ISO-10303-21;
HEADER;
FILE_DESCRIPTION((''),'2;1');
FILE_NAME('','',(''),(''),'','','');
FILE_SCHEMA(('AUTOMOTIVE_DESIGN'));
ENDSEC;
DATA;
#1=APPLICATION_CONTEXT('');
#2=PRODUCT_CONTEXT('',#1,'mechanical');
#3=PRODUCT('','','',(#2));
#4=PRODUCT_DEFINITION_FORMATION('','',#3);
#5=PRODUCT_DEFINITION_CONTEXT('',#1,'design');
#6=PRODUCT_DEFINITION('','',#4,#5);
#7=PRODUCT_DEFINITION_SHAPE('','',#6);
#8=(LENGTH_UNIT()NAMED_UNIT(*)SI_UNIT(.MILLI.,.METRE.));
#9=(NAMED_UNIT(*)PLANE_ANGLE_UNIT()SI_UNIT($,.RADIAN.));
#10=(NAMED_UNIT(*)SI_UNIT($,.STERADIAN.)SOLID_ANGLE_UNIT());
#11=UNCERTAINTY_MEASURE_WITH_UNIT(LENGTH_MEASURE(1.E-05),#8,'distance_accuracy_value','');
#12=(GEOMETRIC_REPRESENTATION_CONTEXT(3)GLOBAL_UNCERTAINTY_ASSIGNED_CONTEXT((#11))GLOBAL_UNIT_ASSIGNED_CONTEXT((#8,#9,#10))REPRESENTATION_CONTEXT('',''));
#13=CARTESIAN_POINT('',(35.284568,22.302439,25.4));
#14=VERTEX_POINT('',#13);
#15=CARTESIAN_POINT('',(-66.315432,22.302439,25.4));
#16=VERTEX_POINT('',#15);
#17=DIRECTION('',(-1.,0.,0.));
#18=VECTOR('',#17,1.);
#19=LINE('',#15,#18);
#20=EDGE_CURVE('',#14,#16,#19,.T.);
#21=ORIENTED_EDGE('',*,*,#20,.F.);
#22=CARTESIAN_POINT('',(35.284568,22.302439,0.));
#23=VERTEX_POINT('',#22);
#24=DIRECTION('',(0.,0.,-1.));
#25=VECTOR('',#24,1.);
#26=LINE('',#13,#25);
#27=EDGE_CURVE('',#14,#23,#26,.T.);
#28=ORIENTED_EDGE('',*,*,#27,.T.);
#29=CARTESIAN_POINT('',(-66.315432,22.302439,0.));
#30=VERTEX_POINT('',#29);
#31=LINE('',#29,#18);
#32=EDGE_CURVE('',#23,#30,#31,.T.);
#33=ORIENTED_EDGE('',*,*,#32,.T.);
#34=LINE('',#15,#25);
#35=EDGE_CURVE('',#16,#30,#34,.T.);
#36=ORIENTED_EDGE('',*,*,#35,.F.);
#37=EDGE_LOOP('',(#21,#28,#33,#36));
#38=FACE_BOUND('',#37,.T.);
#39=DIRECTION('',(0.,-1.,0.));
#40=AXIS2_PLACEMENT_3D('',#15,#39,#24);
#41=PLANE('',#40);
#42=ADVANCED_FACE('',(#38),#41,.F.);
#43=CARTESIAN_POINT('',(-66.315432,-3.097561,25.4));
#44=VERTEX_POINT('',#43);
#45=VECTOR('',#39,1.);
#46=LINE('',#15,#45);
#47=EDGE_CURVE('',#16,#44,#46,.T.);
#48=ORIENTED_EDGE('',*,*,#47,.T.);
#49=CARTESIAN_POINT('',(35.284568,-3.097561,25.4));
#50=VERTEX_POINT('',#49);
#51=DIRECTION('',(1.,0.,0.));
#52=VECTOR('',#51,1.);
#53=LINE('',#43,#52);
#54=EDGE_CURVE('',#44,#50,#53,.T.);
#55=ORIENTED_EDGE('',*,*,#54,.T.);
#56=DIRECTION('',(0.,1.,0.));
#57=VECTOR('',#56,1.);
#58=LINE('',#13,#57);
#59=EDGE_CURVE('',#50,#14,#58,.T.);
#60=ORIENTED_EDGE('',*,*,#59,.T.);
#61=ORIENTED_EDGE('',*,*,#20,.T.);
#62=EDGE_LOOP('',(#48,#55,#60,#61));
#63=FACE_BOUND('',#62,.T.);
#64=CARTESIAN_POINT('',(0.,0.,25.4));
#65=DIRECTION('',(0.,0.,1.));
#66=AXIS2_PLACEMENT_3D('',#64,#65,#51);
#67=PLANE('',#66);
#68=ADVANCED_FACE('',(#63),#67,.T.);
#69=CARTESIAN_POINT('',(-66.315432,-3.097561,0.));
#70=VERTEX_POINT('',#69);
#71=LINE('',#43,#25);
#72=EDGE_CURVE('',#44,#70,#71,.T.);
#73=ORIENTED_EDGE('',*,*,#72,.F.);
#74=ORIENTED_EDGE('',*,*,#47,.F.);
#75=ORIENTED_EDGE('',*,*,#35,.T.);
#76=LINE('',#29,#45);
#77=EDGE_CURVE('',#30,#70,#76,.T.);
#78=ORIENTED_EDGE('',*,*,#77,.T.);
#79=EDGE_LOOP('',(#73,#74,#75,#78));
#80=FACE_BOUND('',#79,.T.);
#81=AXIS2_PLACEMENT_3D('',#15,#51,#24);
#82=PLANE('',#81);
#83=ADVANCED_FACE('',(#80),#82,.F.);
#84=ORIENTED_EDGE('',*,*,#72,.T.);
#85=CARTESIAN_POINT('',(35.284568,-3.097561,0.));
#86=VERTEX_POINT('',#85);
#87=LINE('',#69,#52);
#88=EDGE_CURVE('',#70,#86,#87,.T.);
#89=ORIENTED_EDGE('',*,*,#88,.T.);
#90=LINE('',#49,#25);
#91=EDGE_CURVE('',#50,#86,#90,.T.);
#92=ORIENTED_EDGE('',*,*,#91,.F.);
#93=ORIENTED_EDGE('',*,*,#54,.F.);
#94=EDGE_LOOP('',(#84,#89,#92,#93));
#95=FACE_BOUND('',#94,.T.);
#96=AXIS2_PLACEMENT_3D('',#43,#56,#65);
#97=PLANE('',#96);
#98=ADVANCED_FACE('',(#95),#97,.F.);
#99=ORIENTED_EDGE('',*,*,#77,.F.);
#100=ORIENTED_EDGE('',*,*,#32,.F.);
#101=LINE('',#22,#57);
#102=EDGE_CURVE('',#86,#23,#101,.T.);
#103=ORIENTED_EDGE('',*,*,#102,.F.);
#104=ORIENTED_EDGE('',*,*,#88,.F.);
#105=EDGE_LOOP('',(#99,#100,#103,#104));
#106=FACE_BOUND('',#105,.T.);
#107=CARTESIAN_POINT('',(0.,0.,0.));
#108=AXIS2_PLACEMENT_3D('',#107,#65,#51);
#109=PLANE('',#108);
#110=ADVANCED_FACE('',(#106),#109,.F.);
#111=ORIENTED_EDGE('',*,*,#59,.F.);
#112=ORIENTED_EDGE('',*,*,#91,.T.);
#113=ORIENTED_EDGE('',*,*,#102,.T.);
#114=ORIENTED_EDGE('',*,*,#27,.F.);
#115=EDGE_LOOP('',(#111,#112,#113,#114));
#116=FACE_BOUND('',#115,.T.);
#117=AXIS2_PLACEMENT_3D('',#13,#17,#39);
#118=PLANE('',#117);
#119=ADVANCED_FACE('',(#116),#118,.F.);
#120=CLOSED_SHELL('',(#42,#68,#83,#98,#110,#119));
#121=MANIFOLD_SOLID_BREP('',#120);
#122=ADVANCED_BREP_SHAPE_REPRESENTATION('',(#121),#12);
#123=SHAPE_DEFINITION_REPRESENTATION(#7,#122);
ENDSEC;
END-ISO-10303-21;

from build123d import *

# Parameters (mm, degrees)
SKETCH1_W           = 101.6
SKETCH1_H           = 25.4
BOSS_EXTRUDE1_DEPTH = 25.4


with BuildPart() as part:
    # Sketch1 → Boss-Extrude1 (new body)
    with BuildSketch(Plane.XY):
        with Locations((-15.515431773, 9.602439024)):
            Rectangle(SKETCH1_W, SKETCH1_H)
    extrude(amount=BOSS_EXTRUDE1_DEPTH)


solid = part.part
